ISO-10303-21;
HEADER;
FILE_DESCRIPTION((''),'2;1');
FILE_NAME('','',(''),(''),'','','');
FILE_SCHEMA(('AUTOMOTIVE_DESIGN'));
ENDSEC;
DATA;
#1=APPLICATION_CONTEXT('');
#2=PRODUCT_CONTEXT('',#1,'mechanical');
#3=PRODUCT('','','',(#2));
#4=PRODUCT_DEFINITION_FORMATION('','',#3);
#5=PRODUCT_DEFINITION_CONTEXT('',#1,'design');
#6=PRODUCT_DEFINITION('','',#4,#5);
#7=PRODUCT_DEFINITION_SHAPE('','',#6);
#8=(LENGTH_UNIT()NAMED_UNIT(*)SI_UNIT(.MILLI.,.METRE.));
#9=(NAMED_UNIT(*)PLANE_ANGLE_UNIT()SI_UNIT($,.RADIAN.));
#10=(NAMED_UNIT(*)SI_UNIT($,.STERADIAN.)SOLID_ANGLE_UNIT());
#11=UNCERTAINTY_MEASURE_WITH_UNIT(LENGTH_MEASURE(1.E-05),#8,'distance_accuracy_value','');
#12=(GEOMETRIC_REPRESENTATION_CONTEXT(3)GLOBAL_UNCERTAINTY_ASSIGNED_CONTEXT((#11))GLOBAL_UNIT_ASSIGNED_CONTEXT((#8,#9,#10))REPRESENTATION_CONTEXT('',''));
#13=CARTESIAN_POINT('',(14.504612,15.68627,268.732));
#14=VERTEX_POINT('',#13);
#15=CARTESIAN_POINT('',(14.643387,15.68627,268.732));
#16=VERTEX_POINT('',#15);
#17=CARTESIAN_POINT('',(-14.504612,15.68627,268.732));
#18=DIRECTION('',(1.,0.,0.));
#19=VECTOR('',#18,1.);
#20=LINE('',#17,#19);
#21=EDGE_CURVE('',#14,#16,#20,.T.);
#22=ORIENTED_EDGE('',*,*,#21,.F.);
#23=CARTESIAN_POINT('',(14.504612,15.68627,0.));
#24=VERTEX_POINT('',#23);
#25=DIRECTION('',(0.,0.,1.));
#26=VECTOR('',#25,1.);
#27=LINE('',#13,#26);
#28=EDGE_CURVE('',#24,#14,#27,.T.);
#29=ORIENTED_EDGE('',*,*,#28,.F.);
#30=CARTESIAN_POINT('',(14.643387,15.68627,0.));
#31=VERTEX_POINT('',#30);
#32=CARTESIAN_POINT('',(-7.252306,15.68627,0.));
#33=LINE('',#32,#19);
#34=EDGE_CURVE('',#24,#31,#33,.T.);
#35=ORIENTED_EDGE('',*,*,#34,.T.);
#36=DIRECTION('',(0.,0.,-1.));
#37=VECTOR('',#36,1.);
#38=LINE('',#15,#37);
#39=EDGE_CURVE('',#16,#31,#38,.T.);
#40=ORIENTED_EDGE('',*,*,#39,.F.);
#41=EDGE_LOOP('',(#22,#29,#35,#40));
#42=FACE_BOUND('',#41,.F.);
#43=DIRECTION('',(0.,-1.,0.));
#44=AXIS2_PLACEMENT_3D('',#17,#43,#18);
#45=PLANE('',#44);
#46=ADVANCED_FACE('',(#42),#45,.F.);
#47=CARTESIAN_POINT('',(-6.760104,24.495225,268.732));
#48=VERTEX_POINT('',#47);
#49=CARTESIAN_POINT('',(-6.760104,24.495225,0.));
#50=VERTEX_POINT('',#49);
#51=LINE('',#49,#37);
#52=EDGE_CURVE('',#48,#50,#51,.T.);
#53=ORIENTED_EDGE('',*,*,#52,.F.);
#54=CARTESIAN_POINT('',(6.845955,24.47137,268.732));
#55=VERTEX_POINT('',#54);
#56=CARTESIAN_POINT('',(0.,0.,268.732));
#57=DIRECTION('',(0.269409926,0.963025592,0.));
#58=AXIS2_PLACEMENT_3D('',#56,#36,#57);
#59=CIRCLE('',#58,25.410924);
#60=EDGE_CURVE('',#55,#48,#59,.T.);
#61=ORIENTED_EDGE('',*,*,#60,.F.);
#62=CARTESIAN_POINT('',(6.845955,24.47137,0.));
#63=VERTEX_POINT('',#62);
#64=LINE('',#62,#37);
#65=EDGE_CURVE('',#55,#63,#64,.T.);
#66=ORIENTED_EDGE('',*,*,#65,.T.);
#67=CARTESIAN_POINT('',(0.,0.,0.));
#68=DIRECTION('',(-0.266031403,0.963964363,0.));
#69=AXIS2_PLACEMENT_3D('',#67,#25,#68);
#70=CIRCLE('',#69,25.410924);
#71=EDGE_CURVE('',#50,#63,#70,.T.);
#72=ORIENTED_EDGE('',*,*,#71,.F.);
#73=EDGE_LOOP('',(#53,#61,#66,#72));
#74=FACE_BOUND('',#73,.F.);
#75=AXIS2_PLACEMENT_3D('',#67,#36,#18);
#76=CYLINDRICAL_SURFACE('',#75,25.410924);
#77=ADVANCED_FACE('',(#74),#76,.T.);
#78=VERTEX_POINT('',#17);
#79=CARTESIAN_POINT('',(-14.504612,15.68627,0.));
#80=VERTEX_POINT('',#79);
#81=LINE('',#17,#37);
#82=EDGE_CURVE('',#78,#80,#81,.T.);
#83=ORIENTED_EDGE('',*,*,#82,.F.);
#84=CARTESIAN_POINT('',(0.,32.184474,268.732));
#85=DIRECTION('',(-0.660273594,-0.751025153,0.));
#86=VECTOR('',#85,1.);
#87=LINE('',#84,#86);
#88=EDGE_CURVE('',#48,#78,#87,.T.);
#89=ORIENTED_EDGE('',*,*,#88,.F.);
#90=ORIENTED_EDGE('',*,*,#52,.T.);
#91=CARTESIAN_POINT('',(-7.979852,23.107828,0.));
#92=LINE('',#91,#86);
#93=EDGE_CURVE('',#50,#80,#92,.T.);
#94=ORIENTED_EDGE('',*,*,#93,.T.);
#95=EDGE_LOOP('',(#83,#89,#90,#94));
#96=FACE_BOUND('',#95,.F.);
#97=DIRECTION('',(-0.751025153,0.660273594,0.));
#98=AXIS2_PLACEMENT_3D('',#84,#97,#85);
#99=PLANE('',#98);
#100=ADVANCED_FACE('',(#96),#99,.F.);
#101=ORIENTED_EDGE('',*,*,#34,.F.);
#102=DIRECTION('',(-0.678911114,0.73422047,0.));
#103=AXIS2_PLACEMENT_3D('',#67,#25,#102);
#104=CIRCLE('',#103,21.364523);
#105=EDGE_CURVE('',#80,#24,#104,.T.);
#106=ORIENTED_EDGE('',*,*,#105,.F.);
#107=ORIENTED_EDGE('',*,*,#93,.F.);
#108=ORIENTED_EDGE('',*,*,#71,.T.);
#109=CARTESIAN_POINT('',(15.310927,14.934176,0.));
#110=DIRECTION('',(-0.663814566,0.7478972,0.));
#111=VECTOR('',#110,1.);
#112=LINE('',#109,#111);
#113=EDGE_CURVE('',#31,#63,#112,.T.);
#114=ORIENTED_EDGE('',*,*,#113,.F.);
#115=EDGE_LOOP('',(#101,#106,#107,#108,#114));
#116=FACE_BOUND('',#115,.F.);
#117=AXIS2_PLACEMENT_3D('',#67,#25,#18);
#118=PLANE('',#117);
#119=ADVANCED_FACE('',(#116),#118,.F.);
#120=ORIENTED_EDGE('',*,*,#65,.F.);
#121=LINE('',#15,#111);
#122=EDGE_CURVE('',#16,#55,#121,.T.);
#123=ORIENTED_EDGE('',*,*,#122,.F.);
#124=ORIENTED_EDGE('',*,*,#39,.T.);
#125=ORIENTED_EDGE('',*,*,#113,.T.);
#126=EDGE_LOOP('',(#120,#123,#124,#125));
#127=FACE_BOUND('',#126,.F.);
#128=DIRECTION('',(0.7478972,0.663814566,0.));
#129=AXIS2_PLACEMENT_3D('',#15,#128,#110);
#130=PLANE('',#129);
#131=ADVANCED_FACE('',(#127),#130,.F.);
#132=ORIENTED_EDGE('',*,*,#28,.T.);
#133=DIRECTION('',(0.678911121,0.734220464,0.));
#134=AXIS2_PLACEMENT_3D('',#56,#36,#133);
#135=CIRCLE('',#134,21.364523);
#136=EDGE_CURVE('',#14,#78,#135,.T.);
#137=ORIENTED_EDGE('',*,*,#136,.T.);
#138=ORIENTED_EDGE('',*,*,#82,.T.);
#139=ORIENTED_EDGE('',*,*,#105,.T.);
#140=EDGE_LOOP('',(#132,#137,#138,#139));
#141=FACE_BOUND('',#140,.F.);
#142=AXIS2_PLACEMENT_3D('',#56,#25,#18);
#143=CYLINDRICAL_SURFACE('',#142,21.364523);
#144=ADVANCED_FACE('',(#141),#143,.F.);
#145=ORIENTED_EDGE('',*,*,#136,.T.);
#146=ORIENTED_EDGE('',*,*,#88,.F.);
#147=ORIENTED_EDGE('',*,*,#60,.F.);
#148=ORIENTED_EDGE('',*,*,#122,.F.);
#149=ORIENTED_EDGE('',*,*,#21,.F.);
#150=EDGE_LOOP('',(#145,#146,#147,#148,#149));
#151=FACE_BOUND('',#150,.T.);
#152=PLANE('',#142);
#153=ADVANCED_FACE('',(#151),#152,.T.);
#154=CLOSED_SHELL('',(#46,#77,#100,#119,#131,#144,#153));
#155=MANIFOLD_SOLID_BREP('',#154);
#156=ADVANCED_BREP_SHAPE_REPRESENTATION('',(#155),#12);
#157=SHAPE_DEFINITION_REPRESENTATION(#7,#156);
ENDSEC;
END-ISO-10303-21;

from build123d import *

# Parameters (mm, degrees)
F0_R     = 25.410924
F1_DEPTH = 268.732
F2_R     = 21.364523
F3_DEPTH = 1270
F5_DEPTH = 142240


with BuildPart() as f1:
    # F0 (on Top) → F1 (new body)
    with BuildSketch(Plane.XY):
        Circle(F0_R)
    extrude(amount=F1_DEPTH)

    # F2 (on face) → F3 (cut)
    with BuildSketch(Plane.XY.offset(268.732)):
        Circle(F2_R)
    extrude(amount=-F3_DEPTH, mode=Mode.SUBTRACT)

    # F4 (on face) → F5 (cut)
    with BuildSketch(Plane.XY.offset(268.732)):
        Polygon((0, 32.184474), (-14.504612, 15.68627), (14.643387, 15.68627), align=None)
    extrude(amount=-F5_DEPTH, mode=Mode.SUBTRACT)


solid = f1.part
